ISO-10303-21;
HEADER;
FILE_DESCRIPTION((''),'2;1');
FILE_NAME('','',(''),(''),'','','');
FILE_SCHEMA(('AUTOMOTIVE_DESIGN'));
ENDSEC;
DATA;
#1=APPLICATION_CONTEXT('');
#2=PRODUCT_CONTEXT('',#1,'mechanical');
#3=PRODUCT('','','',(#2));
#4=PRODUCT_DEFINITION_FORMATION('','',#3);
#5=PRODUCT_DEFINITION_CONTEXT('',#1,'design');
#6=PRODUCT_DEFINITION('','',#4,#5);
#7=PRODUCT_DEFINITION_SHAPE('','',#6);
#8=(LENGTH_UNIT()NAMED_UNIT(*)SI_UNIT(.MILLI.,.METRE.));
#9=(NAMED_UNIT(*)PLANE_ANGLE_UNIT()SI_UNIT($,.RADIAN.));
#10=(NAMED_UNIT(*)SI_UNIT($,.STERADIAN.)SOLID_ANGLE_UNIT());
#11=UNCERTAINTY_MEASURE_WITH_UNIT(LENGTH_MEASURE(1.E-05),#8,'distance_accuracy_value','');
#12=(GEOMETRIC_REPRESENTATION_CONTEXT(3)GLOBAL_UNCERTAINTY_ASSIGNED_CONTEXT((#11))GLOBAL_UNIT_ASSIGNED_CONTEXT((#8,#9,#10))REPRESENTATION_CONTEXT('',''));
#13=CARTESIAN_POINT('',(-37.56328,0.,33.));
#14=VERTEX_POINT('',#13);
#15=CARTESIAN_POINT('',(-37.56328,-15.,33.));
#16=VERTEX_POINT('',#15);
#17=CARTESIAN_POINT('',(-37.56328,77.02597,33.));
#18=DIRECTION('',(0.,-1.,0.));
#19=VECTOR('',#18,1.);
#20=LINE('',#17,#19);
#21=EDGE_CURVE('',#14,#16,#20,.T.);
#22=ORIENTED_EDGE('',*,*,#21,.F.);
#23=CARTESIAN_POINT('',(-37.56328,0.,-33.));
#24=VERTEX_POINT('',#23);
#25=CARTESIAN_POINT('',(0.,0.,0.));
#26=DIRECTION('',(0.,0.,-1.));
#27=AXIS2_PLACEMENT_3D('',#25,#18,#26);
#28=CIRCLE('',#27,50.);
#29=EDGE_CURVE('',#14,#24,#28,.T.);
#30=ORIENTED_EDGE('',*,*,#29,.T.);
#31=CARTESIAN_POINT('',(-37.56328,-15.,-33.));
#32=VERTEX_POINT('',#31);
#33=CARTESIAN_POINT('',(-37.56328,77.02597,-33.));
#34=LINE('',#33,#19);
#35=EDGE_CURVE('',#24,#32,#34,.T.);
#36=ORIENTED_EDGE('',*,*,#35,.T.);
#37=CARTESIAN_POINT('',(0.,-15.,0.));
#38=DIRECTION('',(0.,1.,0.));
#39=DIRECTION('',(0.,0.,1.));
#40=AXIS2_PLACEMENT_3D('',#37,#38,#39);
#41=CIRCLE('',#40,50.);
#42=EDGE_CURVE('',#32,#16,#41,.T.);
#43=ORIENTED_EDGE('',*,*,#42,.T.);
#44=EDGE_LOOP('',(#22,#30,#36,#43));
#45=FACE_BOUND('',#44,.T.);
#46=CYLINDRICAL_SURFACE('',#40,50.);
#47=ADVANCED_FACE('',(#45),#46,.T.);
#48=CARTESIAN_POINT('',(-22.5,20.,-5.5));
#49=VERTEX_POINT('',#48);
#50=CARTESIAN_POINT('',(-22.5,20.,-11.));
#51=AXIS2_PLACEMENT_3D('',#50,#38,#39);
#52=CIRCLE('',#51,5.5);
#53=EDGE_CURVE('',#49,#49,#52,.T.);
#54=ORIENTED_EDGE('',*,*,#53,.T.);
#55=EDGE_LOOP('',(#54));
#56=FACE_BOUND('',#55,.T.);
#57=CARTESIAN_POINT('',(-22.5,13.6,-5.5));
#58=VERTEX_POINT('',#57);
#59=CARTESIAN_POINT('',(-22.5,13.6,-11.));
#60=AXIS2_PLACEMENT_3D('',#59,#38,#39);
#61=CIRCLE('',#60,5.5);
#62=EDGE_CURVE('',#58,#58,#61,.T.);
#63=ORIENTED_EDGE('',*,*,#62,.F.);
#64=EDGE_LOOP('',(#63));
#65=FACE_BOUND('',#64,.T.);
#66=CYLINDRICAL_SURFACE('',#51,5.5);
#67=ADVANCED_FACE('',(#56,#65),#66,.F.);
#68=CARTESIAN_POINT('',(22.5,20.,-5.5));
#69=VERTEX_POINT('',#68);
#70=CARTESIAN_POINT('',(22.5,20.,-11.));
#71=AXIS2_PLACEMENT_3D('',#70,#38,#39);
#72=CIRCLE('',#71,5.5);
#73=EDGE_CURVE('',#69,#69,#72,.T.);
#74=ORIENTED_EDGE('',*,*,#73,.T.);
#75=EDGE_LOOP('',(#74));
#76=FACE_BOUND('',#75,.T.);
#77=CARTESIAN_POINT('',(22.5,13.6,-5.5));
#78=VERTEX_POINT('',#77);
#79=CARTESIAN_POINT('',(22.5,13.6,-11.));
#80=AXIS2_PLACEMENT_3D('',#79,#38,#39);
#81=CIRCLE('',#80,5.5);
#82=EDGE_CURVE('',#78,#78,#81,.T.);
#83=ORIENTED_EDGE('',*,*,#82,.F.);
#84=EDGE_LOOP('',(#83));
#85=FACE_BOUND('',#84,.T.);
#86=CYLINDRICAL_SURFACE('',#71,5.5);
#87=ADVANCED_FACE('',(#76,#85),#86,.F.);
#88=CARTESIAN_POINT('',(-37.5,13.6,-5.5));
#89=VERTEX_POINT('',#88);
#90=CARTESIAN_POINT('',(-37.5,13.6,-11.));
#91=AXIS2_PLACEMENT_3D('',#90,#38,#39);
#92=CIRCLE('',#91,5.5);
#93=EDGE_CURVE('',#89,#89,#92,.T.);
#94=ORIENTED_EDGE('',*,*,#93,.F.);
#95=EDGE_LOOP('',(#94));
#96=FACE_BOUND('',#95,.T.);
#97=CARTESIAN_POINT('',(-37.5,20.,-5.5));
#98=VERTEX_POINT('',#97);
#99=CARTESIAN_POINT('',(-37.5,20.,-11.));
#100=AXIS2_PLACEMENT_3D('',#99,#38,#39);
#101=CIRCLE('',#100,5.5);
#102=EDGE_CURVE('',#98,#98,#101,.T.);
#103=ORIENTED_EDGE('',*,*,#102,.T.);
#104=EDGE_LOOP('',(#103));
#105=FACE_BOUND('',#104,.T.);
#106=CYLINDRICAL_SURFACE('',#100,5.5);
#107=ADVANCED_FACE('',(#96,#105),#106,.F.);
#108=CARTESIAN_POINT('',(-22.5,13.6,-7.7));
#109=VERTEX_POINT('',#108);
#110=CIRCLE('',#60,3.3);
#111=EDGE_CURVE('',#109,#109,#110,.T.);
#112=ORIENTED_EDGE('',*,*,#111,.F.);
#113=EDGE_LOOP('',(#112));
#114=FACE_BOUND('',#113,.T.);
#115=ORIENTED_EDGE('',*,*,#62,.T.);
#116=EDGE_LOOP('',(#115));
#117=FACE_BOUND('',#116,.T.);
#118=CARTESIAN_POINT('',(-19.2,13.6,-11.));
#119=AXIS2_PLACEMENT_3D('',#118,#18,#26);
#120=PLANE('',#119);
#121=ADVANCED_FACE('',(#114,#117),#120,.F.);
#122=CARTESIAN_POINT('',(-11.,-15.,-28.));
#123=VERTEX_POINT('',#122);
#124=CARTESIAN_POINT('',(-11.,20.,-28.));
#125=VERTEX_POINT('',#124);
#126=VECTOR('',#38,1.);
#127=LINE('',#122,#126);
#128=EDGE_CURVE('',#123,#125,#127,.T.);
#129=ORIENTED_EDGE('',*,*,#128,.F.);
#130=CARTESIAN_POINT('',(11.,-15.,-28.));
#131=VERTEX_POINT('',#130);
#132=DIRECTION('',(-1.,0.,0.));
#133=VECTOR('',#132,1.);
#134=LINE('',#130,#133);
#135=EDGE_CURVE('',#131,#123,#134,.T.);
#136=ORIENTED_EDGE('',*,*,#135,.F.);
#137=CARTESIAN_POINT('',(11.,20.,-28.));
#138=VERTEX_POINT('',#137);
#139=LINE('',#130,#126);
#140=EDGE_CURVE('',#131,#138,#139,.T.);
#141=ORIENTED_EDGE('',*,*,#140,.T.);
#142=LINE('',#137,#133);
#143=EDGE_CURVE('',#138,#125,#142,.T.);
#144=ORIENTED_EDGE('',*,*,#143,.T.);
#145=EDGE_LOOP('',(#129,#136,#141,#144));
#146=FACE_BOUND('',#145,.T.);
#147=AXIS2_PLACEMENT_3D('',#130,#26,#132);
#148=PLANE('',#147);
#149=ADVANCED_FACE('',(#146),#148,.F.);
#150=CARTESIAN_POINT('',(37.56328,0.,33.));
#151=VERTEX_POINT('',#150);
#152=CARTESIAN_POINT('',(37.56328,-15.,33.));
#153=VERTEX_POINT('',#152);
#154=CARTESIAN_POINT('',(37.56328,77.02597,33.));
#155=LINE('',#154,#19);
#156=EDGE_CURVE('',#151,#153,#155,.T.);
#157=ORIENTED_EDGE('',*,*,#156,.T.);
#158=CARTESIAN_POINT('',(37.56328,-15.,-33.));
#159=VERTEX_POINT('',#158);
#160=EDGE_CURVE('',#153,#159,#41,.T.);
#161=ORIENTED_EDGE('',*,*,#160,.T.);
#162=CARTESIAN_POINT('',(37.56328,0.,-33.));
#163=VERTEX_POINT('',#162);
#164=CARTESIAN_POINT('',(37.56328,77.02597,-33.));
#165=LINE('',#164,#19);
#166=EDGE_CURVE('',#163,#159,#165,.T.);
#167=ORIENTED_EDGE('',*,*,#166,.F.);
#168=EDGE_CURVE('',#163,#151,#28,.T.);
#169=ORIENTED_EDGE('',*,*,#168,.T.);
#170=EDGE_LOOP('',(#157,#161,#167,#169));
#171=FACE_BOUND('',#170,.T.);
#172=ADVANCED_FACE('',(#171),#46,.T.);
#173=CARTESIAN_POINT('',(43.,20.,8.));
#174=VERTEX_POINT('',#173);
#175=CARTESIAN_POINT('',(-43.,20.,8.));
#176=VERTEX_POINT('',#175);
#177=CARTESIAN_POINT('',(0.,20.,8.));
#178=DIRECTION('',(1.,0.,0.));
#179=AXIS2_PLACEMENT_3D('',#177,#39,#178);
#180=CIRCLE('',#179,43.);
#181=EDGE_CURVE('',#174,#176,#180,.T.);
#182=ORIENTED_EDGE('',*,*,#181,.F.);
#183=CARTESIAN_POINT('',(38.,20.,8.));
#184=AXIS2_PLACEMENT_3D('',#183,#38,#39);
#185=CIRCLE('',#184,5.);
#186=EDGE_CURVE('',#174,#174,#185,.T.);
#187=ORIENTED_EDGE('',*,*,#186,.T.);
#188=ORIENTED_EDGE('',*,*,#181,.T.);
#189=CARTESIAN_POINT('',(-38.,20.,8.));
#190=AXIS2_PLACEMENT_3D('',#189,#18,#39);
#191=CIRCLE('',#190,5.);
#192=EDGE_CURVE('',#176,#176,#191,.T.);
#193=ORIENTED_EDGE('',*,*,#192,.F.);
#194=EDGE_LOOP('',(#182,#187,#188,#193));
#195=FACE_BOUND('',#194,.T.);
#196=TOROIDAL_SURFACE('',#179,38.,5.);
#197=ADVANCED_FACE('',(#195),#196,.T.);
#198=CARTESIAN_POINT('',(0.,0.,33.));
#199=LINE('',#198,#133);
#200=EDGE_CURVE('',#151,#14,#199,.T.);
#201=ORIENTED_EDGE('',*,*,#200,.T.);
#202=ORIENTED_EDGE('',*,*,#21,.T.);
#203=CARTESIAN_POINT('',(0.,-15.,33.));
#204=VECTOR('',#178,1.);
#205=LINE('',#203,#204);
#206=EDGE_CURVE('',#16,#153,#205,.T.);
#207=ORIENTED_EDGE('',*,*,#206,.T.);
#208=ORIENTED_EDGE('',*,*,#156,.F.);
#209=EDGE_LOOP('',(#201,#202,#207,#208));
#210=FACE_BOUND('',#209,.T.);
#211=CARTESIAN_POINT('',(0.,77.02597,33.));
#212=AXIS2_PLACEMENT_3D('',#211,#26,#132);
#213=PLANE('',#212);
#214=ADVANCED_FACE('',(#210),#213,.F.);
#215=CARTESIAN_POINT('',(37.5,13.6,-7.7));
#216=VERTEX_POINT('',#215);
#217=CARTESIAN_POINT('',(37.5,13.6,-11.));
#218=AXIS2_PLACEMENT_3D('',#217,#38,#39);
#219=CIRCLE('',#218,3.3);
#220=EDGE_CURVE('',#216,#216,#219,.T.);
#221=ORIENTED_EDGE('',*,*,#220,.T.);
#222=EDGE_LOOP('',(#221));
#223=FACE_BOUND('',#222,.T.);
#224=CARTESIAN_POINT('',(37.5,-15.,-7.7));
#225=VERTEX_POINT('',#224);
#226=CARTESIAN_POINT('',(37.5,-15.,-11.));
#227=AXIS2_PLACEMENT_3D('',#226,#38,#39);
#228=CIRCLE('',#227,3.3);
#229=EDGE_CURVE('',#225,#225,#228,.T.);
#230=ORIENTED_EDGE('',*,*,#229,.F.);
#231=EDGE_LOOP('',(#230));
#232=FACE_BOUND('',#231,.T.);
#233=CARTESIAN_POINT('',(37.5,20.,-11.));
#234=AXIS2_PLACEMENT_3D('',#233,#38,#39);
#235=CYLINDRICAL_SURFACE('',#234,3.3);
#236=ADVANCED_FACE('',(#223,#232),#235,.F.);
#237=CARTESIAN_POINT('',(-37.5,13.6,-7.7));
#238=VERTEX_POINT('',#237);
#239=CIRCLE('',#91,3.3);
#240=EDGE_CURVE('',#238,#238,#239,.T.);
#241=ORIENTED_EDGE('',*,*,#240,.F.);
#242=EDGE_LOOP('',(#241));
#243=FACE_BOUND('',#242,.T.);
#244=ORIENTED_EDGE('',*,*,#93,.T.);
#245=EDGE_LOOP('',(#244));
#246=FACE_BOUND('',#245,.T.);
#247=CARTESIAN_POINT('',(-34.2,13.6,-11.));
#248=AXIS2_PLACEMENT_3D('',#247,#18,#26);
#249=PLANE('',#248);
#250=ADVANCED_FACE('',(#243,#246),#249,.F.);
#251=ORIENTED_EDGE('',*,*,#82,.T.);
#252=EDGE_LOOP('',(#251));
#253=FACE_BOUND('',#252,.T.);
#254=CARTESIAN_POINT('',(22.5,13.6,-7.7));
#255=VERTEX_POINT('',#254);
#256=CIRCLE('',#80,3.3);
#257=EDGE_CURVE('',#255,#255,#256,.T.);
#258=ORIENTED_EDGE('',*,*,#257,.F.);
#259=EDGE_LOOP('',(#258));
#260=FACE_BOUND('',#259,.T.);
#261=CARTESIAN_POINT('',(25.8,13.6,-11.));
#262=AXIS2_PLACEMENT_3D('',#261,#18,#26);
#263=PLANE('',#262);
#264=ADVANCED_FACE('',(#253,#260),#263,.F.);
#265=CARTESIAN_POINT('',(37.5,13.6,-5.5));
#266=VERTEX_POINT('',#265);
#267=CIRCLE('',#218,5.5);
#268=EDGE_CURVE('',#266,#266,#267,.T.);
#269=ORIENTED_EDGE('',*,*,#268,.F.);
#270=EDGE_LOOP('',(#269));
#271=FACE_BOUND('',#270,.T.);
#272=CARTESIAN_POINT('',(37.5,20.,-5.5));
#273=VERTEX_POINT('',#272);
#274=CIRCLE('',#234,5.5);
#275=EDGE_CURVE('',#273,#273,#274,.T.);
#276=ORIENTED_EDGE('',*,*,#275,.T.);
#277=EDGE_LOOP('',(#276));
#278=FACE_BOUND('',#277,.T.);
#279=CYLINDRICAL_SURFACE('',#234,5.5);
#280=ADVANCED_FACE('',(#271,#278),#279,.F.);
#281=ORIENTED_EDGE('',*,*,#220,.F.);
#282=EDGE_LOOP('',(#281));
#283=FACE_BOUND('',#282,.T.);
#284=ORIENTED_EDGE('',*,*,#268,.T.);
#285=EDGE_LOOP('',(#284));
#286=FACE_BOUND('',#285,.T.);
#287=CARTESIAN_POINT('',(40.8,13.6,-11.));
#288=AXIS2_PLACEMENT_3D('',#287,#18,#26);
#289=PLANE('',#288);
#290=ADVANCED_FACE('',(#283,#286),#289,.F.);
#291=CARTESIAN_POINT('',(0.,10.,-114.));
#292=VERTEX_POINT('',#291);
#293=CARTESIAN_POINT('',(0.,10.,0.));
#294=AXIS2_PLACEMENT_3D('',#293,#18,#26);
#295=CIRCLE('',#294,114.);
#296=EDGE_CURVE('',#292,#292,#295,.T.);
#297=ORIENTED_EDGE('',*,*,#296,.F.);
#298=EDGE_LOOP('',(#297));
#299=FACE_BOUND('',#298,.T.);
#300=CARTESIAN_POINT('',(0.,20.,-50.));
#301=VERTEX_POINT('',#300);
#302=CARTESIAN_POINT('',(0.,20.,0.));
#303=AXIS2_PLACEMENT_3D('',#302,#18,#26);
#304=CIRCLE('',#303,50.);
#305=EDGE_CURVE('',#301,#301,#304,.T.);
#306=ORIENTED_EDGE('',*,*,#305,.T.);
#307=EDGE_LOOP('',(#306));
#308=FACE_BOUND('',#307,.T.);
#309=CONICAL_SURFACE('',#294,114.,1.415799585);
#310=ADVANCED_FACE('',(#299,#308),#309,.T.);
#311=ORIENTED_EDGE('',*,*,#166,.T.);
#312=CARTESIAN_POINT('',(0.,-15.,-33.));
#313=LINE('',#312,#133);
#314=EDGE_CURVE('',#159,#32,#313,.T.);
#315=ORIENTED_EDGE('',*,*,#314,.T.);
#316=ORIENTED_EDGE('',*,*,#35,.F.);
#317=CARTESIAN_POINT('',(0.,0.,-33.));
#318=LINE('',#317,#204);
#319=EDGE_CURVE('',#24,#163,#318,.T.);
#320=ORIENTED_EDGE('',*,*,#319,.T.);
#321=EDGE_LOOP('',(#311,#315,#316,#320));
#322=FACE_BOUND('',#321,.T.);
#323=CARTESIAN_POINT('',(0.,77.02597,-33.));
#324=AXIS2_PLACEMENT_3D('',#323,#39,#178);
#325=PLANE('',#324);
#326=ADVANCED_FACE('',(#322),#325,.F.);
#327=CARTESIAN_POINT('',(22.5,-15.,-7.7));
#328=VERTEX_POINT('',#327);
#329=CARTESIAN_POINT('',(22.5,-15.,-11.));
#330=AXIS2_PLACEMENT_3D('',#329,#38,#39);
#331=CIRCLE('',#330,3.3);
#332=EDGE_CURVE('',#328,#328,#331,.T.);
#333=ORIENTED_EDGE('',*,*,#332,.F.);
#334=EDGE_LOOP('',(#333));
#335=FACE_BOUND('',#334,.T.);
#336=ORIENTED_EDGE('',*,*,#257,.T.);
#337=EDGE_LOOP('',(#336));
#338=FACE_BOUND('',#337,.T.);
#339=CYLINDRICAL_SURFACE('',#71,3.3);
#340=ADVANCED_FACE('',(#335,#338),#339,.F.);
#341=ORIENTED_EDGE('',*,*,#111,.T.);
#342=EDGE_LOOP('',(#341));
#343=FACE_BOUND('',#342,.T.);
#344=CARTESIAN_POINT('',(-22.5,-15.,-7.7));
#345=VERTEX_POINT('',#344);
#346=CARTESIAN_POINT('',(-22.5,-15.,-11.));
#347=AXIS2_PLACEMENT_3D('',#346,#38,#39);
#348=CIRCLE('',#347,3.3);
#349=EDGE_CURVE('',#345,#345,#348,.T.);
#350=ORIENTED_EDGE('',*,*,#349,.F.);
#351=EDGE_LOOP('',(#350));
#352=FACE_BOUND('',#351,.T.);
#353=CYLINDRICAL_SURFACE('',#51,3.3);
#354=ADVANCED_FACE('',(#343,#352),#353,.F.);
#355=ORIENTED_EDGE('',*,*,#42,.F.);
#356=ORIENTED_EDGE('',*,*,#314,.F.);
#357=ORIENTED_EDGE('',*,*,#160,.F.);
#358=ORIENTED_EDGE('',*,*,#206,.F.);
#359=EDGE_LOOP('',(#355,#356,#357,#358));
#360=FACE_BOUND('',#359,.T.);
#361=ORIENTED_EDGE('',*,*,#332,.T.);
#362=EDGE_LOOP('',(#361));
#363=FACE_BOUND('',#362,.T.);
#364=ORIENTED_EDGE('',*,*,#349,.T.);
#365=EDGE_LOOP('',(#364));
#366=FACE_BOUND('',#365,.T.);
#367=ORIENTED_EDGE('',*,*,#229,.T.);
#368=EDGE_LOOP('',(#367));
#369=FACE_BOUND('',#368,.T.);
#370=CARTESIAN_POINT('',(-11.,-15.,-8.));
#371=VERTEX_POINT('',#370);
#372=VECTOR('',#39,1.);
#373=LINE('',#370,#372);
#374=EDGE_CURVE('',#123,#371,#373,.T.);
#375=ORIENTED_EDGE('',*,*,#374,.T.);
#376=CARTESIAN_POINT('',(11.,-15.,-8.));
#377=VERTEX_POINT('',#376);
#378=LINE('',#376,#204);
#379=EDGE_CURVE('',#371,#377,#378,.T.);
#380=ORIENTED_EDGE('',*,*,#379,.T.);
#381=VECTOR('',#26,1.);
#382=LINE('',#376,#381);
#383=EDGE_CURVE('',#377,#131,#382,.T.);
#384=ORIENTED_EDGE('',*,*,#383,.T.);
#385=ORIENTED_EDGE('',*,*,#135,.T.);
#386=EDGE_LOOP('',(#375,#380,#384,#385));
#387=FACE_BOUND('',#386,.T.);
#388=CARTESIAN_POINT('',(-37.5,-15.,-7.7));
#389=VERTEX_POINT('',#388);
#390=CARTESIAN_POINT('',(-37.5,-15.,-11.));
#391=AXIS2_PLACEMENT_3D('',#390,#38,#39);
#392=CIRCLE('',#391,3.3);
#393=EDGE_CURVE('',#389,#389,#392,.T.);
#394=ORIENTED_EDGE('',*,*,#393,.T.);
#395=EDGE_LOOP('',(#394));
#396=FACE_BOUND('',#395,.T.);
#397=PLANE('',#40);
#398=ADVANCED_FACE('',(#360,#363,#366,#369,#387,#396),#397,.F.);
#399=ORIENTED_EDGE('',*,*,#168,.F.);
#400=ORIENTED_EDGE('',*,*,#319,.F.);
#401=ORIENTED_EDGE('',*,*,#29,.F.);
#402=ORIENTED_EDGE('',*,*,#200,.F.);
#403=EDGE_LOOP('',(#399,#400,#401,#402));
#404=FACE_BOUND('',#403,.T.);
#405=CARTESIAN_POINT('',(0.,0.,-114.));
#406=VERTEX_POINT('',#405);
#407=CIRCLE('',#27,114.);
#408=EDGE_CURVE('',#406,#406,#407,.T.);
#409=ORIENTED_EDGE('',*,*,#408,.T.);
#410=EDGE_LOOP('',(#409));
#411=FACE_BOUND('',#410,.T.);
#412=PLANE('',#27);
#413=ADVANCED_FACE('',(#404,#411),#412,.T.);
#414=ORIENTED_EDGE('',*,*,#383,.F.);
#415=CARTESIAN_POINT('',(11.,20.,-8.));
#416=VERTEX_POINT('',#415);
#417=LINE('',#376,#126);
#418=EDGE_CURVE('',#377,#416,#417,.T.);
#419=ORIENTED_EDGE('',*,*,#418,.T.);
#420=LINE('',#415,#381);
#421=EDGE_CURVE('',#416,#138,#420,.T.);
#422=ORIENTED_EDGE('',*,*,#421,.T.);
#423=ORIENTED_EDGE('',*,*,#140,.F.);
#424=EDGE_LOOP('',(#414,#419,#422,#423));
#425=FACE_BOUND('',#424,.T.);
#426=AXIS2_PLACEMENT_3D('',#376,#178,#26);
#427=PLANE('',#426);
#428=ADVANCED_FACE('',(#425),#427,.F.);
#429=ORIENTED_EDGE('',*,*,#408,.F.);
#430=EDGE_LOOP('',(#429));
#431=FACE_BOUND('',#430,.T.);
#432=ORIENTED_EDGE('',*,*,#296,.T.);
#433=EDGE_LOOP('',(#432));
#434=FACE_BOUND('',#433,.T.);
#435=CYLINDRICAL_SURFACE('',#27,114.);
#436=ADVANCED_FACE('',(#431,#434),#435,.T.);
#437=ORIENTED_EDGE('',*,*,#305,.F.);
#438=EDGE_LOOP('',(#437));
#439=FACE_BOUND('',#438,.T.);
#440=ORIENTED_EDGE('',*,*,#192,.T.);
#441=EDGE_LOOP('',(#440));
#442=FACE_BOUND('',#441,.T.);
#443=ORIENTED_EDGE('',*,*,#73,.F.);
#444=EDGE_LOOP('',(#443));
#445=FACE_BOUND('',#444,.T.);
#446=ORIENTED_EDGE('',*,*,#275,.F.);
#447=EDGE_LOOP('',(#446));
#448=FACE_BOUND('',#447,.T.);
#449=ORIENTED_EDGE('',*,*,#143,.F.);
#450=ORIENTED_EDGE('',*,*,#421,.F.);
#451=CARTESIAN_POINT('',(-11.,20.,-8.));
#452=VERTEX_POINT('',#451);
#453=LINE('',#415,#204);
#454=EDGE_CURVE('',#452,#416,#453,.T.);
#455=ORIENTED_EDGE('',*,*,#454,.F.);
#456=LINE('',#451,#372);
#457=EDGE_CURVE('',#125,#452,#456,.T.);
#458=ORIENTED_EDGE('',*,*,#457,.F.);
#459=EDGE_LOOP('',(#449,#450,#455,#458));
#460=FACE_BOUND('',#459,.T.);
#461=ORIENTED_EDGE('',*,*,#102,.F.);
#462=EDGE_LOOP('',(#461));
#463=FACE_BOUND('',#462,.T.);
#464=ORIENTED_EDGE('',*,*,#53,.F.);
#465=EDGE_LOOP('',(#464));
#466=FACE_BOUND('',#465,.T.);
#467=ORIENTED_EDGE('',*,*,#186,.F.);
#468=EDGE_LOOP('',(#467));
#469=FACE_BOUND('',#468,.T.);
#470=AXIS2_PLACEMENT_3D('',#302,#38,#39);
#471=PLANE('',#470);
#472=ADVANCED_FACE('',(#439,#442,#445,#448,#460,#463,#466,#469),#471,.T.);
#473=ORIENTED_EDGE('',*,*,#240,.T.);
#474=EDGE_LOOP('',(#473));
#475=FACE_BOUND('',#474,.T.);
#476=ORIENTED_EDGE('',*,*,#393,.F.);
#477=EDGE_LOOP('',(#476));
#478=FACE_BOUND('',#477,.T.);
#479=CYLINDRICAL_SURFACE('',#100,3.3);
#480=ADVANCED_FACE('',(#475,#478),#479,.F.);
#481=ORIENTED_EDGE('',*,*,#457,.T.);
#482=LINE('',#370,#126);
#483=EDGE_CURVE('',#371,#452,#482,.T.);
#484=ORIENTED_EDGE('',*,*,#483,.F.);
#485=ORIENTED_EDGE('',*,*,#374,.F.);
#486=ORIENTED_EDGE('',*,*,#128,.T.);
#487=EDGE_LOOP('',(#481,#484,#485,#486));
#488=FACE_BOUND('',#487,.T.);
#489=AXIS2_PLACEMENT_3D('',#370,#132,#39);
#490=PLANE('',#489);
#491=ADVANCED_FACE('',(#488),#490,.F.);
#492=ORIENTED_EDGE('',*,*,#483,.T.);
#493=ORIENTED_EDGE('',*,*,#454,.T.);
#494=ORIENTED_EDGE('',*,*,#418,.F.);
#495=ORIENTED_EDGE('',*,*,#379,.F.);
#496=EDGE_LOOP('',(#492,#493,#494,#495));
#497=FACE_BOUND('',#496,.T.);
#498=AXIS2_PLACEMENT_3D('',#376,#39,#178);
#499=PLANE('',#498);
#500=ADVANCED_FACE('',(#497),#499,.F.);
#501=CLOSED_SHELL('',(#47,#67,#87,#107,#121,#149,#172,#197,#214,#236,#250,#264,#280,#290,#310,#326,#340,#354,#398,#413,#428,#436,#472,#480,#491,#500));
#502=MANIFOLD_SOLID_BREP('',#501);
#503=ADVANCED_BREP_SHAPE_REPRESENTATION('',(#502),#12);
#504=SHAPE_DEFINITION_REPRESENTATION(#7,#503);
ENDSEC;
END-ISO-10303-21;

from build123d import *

# Parameters (mm, degrees)
SKETCH_5_R                   = 50
EXTRUDE_1_DEPTH              = 35
SKETCH_2_W                   = 22
SKETCH_2_H                   = 20
CUT_EXTRUDE_1_DEPTH          = 165.975755795
HOLE_WIZARD_M6_1_D           = 6.6
HOLE_WIZARD_M6_1_CBORE_D     = 11
HOLE_WIZARD_M6_1_CBORE_DEPTH = 6.4
CUT_EXTRUDE_START            = -15
CUT_EXTRUDE_5_DEPTH          = 15
SKETCH_7_R                   = 5


with BuildPart() as part:
    # 草圖1 → 旋轉1 (revolve)
    with BuildSketch(Plane(origin=(0, 0, 0), x_dir=(0, 0, -1), z_dir=(1, 0, 0))):
        Polygon((0, 0), (0, 20), (50, 20), (114, 10), (114, 0), align=None)
    revolve(axis=Axis((0, 0, 0), (0, 1, 0)))

    # 草圖5 → 填料-伸長1 (add)
    with BuildSketch(Plane(origin=(0, 20, 0), x_dir=(1, 0, 0), z_dir=(0, 1, 0))):
        with Locations(Location((0, 0, 0), (0, 0, 270))):
            Circle(SKETCH_5_R)
    extrude(amount=-EXTRUDE_1_DEPTH)

    # 草圖2 → 除料-伸長1 (cut, through all)
    with BuildSketch(Plane(origin=(0, 20, 0), x_dir=(1, 0, 0), z_dir=(0, 1, 0))):
        with Locations((0, 18)):
            Rectangle(SKETCH_2_W, SKETCH_2_H)
    extrude(amount=-CUT_EXTRUDE_1_DEPTH, mode=Mode.SUBTRACT)

    # M6 六角承窩頭蓋螺釘的柱孔1 (through all)
    with Locations(Plane(origin=(0, 20, 0), x_dir=(1, 0, 0), z_dir=(0, 1, 0))):
        with Locations((37.5, 11), (22.5, 11), (-22.5, 11), (-37.5, 11)):
            CounterBoreHole(HOLE_WIZARD_M6_1_D / 2, HOLE_WIZARD_M6_1_CBORE_D / 2, HOLE_WIZARD_M6_1_CBORE_DEPTH)

    # 草圖6 → 除料-伸長5 (cut)
    with BuildSketch(Plane.XZ.offset(15).offset(CUT_EXTRUDE_START)):
        with BuildLine():
            Line((-37.563279942, 33), (37.563279942, 33))
            ThreePointArc((37.563279942, 33), (0, 50), (-37.563279942, 33))
        make_face()
        with BuildLine():
            ThreePointArc((-37.563279942, -33), (0, -50), (37.563279942, -33))
            Line((37.563279942, -33), (-37.563279942, -33))
        make_face()
    extrude(amount=CUT_EXTRUDE_5_DEPTH, mode=Mode.SUBTRACT)

    # 掃出1: sweep along a path in 草圖8
    with BuildLine(Plane.XY.offset(8)) as sweep_1_path:
        ThreePointArc((37.792366216, 20), (0, 57.792366216), (-37.792366216, 20))
    # 草圖7 → 掃出1 (sweep)
    with BuildSketch(Plane(origin=(0, 20, 0), x_dir=(1, 0, 0), z_dir=(0, 1, 0))):
        with Locations((38, -8)):
            Circle(SKETCH_7_R)
    sweep(path=sweep_1_path.line)


solid = part.part
